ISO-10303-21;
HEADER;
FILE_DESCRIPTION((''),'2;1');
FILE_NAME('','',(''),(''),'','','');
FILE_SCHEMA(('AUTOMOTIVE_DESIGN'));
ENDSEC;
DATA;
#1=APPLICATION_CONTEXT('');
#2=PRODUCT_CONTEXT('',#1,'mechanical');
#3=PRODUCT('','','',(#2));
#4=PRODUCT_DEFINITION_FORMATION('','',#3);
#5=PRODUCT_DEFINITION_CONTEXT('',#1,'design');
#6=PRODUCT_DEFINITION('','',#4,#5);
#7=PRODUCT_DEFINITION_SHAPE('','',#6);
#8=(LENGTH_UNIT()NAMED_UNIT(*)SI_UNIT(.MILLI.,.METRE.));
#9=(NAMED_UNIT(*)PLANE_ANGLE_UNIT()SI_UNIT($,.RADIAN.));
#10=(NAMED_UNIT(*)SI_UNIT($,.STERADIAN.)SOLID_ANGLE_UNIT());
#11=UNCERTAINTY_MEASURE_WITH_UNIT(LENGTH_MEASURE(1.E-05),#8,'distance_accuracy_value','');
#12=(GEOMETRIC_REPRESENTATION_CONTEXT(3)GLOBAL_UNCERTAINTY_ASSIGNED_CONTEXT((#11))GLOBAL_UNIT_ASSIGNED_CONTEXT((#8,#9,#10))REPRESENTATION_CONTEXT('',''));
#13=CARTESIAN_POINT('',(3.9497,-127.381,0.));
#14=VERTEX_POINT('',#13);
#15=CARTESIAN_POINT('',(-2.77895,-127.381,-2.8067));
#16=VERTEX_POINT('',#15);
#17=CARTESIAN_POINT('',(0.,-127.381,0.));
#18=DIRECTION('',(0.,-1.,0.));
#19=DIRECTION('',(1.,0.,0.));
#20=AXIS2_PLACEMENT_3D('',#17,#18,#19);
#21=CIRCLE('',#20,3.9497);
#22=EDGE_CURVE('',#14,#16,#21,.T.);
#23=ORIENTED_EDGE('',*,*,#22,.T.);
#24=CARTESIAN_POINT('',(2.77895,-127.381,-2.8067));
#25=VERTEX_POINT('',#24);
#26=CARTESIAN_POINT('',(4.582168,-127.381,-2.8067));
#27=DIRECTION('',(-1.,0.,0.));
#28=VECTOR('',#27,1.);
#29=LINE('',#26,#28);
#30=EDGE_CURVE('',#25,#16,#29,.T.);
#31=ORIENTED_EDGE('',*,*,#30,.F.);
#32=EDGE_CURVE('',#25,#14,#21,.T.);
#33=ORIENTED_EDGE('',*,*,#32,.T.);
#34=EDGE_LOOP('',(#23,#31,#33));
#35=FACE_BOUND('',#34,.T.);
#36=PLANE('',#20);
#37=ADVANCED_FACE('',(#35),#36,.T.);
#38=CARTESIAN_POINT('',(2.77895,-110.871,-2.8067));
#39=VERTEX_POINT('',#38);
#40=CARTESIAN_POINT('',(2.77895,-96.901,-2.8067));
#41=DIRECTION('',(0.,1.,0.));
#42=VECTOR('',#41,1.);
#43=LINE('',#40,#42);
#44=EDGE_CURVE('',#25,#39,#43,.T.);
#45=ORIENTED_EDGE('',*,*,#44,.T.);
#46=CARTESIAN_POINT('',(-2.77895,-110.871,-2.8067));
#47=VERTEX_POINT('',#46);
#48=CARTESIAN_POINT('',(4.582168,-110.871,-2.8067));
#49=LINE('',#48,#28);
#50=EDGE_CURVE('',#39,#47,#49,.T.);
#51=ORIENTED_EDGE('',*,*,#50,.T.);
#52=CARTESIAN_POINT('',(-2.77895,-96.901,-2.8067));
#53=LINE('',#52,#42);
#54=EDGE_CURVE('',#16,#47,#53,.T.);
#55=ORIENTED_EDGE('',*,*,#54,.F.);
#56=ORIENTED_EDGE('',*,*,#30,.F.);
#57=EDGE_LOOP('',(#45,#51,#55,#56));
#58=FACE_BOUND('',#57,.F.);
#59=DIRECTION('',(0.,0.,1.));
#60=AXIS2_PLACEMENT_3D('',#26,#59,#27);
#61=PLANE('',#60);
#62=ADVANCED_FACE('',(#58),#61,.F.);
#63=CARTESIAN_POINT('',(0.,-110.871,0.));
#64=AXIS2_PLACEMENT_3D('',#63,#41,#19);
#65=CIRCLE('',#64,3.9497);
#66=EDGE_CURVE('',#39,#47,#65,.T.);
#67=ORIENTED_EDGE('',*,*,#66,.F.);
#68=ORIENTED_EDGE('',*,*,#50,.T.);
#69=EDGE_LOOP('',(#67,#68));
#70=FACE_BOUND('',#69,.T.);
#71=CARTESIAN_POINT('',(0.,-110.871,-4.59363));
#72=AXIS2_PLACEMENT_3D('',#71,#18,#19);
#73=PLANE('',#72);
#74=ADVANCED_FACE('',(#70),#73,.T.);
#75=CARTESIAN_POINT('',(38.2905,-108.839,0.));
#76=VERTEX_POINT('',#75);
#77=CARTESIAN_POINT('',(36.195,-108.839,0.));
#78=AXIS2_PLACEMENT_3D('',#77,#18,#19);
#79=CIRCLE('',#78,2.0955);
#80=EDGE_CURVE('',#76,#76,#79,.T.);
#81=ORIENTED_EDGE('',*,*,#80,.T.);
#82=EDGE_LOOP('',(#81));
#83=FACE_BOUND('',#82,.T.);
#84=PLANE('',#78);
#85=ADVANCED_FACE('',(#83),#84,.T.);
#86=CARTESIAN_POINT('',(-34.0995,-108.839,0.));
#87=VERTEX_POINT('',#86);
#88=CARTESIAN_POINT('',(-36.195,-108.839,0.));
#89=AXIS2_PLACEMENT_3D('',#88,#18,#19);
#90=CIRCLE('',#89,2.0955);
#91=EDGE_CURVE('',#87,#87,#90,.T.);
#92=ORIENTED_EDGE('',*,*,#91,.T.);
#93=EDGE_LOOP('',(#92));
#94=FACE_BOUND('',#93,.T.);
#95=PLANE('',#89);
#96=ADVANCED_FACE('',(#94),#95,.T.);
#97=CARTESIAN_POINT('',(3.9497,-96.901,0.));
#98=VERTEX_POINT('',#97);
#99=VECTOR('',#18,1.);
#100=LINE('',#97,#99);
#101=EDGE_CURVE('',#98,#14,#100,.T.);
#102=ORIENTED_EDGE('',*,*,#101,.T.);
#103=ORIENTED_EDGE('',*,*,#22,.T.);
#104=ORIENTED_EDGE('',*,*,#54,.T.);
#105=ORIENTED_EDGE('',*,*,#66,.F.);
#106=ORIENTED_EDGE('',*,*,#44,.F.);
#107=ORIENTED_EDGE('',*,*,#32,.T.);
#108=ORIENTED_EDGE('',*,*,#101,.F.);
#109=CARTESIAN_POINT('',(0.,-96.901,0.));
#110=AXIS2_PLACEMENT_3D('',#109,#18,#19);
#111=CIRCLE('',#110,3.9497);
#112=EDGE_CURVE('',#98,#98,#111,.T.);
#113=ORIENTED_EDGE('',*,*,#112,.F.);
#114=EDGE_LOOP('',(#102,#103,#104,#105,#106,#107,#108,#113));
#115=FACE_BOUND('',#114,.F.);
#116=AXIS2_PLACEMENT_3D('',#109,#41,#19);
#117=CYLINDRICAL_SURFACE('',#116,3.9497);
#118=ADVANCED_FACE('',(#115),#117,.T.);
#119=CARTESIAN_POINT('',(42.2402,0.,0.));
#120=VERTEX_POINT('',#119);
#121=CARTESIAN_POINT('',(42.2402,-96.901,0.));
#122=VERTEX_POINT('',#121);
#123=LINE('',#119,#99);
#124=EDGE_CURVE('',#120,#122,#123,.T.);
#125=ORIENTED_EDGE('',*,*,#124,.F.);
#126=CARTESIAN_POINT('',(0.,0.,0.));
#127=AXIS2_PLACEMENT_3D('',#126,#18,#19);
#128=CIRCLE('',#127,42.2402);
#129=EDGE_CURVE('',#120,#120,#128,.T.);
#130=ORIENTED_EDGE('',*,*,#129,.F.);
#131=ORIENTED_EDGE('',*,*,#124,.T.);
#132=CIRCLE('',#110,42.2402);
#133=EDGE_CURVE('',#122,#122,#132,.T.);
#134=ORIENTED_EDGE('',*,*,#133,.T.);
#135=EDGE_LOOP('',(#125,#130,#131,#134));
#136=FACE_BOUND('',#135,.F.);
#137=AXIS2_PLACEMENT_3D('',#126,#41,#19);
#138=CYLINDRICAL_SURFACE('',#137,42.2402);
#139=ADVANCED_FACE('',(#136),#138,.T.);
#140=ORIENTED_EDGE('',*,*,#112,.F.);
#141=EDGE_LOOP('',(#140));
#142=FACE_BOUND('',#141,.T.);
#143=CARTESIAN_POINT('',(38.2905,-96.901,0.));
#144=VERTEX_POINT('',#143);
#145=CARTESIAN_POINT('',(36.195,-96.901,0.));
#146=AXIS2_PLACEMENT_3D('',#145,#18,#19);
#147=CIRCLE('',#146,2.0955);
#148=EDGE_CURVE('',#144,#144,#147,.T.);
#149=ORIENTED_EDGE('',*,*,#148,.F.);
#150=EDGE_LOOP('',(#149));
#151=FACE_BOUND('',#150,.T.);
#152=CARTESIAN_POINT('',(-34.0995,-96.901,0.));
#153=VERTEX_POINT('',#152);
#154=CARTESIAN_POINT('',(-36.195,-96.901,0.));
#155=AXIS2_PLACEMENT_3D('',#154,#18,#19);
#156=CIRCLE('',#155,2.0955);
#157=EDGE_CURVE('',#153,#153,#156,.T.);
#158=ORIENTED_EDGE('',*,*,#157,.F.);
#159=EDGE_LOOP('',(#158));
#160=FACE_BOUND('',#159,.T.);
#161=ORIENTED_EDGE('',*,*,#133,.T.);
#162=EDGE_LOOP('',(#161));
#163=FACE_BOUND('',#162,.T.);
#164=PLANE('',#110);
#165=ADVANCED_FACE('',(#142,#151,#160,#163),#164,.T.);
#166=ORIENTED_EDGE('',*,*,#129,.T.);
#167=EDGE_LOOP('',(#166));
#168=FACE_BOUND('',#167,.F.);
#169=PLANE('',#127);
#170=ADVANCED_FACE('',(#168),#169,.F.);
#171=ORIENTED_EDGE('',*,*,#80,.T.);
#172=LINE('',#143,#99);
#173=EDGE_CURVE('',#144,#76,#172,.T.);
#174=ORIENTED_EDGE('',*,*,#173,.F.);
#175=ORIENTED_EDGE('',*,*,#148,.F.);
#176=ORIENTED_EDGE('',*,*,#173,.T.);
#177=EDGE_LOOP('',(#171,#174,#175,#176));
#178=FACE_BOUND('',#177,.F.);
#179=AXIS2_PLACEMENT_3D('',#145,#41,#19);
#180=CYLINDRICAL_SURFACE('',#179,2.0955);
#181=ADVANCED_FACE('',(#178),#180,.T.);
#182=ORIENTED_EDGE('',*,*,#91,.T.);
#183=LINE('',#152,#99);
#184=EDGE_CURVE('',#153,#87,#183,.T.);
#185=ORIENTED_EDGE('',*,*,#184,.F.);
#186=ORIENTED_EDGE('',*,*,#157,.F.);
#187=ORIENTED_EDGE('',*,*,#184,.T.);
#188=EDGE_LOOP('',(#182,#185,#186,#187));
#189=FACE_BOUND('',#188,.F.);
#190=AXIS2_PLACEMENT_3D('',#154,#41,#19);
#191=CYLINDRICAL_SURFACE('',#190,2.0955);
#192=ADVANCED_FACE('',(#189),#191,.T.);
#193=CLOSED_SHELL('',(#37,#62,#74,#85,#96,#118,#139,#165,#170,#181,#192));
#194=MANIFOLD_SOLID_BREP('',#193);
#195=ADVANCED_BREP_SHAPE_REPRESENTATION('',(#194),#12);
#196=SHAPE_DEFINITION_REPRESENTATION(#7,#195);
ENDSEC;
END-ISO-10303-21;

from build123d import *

# Parameters (mm, degrees)
F0_R     = 42.2402
F1_DEPTH = 96.901
F2_R     = 3.9497
F3_DEPTH = 30.48
F4_R     = 2.0955
F5_DEPTH = 11.938
F7_DEPTH = 16.51


with BuildPart() as f1:
    # F0 (on Front) → F1 (new body)
    with BuildSketch(Plane.XZ):
        Circle(F0_R)
    extrude(amount=F1_DEPTH)

    # F2 (on face) → F3 (join)
    with BuildSketch(Plane.XZ.offset(96.901)):
        Circle(F2_R)
    extrude(amount=F3_DEPTH)

    # F4 (on face) → F5 (join)
    with BuildSketch(Plane.XZ.offset(96.901)):
        with Locations((-36.195, 0)):
            Circle(F4_R)
        with Locations((36.195, 0)):
            Circle(F4_R)
    extrude(amount=F5_DEPTH)

    # F6 (on face) → F7 (cut)
    with BuildSketch(Plane.XZ.offset(127.381)):
        with BuildLine():
            Line((-2.7789503774, -2.8067), (-4.5821680687, -2.8067))
            Line((-4.5821680687, -2.8067), (-4.5821680687, -6.1287720943))
            Line((-4.5821680687, -6.1287720943), (4.5821680687, -6.1287720943))
            Line((4.5821680687, -6.1287720943), (4.5821680687, -2.8067))
            Line((4.5821680687, -2.8067), (2.7789503774, -2.8067))
            ThreePointArc((2.7789503774, -2.8067), (0, -3.9497), (-2.7789503774, -2.8067))
        make_face()
        with BuildLine():
            Line((2.7789503774, -2.8067), (-2.7789503774, -2.8067))
            ThreePointArc((-2.7789503774, -2.8067), (0, -3.9497), (2.7789503774, -2.8067))
        make_face()
    extrude(amount=-F7_DEPTH, mode=Mode.SUBTRACT)


solid = f1.part
